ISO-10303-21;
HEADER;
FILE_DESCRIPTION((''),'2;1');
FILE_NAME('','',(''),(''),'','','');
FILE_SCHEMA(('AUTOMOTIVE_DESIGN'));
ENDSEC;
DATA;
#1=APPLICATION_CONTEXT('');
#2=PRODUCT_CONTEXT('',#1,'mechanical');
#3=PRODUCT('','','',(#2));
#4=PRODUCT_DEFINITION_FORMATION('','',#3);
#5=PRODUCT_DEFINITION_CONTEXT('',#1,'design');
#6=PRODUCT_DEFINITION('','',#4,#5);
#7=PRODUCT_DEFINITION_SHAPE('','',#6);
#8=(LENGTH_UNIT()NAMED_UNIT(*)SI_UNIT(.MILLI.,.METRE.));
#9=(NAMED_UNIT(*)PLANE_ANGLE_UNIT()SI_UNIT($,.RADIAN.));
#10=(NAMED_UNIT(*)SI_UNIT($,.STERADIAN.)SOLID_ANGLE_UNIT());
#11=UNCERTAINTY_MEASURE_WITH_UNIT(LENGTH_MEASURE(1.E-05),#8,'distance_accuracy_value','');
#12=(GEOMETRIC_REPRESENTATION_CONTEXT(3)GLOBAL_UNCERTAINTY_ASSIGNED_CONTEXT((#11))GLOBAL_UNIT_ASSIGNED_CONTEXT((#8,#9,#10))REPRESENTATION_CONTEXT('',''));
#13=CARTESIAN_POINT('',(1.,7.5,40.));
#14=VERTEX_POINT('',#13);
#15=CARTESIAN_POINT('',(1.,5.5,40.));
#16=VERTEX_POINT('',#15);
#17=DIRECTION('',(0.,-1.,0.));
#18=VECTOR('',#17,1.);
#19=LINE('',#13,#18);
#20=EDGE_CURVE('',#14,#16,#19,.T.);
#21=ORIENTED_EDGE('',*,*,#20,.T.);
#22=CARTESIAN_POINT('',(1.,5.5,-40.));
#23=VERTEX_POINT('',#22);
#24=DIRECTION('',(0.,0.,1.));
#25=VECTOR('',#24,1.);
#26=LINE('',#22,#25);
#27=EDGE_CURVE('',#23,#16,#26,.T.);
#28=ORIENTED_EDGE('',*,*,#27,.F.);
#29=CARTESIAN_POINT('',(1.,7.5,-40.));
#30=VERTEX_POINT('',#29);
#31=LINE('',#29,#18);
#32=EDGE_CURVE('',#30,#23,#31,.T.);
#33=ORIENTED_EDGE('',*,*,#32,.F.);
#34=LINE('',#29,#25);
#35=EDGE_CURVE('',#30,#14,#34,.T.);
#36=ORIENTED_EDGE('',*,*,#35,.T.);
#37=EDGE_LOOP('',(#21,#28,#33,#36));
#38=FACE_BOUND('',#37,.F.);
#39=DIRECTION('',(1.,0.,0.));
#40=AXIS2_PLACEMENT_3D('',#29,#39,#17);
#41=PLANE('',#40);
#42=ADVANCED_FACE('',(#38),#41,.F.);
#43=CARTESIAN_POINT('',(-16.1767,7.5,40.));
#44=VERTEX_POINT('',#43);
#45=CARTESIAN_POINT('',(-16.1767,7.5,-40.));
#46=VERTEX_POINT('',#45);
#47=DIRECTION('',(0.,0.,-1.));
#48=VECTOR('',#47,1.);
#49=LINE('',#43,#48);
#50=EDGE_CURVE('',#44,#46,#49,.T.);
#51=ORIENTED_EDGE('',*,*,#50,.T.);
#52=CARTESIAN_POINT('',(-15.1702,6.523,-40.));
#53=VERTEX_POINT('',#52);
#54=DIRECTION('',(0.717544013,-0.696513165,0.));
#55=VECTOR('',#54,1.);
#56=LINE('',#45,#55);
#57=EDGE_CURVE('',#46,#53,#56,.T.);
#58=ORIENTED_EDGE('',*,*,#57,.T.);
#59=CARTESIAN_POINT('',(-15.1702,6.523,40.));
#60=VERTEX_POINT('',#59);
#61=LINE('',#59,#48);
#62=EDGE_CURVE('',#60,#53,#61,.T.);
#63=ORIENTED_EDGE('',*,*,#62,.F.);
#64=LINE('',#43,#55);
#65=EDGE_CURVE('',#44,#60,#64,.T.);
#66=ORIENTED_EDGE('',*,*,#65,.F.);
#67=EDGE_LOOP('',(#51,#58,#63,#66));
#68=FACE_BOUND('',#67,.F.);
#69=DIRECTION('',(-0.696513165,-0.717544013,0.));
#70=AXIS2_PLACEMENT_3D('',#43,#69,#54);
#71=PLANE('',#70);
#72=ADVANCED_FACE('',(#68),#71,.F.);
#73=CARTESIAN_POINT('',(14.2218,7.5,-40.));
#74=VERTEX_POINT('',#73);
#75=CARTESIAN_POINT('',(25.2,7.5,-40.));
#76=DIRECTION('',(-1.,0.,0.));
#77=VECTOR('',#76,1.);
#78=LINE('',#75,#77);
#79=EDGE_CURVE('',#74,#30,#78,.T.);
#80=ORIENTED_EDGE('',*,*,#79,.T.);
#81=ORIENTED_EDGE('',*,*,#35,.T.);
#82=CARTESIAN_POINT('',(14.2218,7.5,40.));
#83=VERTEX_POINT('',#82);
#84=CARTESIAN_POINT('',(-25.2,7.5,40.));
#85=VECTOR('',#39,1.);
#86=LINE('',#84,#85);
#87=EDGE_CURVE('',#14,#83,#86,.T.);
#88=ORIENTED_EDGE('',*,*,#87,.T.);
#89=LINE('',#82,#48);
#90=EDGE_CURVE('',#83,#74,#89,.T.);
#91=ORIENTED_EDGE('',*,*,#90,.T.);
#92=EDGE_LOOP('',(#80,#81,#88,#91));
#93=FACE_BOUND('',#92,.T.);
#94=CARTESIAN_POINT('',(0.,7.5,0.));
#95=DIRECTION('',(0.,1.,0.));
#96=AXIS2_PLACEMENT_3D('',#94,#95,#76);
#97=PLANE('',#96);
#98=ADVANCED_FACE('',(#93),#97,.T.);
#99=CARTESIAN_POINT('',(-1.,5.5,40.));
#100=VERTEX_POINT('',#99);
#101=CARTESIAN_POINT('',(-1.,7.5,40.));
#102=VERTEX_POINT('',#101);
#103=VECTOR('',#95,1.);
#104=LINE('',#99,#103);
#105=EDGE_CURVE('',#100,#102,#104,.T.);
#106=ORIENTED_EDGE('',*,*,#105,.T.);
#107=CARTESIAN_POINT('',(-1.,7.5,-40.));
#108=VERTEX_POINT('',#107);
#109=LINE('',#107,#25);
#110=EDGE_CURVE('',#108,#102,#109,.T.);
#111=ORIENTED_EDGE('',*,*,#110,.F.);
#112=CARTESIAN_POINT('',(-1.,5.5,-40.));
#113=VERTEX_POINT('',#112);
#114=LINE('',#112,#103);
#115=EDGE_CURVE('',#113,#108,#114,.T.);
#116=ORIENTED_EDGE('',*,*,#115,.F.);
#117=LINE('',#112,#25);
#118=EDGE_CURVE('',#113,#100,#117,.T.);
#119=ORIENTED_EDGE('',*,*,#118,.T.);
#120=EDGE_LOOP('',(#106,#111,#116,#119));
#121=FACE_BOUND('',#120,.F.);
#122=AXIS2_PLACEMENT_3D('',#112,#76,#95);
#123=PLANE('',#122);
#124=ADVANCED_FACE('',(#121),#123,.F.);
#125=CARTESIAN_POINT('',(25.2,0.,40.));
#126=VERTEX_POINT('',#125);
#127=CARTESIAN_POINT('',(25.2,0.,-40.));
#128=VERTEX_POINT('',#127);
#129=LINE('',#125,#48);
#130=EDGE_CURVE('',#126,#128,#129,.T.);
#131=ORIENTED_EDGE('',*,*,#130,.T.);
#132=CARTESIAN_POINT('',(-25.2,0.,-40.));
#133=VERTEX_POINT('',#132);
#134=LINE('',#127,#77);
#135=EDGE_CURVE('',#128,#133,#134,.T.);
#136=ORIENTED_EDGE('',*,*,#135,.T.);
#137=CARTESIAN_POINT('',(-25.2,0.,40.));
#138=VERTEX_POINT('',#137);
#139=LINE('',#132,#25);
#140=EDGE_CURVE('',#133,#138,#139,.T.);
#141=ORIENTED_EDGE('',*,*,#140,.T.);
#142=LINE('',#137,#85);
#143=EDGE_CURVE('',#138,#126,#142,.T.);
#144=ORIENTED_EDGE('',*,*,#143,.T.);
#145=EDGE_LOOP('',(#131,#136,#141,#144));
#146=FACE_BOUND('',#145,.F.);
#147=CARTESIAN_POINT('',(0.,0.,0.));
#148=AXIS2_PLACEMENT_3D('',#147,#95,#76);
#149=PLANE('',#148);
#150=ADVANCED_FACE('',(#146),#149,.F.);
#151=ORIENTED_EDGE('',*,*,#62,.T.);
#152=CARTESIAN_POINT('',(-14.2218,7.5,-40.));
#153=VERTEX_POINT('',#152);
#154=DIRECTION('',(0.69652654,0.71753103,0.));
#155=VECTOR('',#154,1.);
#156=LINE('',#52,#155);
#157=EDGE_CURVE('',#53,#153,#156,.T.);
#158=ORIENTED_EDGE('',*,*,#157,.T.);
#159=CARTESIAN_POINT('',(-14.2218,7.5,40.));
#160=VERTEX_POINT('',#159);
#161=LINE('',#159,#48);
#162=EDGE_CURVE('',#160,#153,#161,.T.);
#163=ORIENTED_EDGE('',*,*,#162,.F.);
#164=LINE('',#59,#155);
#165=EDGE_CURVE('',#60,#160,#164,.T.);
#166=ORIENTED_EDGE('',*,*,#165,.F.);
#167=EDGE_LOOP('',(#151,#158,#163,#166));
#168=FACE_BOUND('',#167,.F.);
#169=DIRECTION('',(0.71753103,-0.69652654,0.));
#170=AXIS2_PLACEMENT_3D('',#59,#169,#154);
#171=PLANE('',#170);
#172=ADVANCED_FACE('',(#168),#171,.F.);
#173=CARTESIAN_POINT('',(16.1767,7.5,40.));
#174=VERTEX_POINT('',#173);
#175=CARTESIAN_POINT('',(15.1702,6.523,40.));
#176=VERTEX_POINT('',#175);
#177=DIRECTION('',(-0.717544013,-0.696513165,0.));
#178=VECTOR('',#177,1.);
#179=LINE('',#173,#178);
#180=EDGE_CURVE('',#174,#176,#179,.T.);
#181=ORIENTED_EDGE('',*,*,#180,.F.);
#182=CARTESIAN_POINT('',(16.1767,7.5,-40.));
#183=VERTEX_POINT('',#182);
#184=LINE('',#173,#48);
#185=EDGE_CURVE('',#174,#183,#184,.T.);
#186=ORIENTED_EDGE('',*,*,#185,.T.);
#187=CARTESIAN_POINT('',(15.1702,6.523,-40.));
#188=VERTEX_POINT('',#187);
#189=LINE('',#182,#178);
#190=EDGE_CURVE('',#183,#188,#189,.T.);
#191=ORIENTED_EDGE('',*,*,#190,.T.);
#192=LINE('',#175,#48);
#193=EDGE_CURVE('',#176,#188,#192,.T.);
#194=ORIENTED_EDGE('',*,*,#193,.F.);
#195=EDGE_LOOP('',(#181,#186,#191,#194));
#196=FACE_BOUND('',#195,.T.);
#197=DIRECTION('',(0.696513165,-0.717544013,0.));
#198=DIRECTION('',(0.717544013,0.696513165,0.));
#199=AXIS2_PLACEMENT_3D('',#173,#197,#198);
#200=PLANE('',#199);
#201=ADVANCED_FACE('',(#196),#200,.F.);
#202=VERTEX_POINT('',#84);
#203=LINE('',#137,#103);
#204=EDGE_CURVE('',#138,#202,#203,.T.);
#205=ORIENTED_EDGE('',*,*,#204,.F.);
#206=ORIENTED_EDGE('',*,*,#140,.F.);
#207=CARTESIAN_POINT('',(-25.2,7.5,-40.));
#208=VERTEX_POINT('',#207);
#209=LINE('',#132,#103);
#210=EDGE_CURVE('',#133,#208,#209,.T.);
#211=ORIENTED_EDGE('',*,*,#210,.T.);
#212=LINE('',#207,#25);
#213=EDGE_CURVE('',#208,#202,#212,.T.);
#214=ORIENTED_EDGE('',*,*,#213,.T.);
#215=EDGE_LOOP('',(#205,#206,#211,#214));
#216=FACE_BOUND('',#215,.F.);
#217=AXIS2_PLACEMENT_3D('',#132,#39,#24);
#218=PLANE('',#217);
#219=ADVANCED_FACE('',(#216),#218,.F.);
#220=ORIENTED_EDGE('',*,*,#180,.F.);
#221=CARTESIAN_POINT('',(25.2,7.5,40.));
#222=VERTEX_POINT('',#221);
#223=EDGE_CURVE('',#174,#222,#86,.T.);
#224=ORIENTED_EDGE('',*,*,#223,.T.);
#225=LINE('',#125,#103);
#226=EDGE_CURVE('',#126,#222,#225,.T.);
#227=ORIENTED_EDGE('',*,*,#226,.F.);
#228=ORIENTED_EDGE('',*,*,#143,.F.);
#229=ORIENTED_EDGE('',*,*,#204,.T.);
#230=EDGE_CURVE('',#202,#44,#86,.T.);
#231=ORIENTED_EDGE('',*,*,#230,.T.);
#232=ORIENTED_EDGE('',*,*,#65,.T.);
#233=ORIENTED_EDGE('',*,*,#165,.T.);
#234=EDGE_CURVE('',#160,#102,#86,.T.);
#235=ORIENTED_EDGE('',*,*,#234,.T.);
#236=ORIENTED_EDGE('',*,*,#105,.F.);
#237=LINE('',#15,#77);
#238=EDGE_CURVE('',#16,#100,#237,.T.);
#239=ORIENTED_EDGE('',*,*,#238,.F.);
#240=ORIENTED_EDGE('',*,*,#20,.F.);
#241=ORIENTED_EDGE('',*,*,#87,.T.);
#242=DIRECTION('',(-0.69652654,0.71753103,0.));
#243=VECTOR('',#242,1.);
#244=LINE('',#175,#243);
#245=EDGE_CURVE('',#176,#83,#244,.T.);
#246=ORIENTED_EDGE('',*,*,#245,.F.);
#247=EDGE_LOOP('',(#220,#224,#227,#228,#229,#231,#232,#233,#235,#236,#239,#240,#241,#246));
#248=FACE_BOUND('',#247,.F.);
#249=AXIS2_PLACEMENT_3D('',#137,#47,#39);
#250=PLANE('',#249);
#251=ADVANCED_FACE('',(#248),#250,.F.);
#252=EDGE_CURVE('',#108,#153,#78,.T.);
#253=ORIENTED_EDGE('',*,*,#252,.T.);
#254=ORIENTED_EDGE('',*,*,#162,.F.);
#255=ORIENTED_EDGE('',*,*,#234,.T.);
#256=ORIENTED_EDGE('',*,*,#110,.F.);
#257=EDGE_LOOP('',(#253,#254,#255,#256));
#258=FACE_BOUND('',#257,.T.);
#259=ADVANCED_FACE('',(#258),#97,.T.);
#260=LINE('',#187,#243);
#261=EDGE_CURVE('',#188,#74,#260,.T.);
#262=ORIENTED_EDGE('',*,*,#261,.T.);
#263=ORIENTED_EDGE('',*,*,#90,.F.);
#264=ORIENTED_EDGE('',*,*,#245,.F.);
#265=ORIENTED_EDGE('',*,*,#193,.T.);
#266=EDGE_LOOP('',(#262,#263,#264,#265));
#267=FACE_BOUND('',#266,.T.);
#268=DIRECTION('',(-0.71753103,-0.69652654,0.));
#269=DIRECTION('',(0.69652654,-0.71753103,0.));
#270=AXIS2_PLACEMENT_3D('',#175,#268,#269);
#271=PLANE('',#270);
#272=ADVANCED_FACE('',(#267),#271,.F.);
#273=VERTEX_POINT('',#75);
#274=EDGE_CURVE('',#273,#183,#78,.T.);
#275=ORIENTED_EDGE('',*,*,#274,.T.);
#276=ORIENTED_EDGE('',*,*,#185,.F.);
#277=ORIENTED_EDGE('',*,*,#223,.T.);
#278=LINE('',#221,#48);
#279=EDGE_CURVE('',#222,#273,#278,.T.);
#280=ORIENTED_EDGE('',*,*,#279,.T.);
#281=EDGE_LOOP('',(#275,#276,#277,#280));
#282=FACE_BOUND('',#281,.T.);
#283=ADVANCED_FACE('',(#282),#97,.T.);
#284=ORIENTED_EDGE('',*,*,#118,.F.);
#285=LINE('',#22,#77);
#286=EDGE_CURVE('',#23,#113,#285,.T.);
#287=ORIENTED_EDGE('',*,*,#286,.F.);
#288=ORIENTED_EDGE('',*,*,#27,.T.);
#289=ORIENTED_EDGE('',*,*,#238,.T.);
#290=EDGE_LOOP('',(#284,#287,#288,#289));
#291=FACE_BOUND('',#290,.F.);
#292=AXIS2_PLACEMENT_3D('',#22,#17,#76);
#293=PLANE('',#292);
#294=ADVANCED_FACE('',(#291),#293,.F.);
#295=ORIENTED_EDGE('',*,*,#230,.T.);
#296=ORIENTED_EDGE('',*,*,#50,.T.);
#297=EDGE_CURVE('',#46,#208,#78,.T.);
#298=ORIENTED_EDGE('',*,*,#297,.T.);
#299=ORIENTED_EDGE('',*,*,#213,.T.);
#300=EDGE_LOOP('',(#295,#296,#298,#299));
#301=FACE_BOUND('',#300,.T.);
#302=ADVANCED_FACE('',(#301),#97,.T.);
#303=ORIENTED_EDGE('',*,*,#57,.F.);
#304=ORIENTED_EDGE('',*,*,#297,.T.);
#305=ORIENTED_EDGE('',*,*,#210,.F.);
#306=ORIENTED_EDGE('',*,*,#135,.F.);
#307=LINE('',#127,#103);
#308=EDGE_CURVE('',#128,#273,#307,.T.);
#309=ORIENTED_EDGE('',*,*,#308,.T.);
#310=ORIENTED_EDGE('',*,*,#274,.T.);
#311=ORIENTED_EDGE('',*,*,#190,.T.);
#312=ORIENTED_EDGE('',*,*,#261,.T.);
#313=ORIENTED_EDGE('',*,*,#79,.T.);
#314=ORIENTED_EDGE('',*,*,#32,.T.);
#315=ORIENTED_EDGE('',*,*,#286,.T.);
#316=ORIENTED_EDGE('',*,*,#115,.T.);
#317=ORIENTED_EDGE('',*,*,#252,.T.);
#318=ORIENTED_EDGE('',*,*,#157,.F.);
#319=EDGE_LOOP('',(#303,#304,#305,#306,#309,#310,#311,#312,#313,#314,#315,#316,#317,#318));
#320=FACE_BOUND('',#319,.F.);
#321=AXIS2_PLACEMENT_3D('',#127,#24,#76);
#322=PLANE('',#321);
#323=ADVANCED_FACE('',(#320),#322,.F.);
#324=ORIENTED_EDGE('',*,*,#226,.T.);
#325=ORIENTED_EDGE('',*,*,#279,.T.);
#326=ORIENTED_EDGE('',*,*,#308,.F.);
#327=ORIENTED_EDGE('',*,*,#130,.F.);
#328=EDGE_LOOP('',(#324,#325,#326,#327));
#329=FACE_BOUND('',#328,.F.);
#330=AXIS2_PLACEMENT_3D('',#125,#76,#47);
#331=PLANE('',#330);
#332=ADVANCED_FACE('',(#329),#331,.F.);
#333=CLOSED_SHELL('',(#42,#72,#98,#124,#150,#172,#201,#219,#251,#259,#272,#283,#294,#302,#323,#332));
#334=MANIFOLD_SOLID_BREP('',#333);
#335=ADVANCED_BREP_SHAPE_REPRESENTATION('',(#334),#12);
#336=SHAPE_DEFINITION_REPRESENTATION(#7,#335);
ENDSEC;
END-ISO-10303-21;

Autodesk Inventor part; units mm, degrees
ref_plane "YZ Plane" through (0, 0, 0) normal (1, 0, 0) x (0, 1, 0)
ref_plane "XZ Plane" through (0, 0, 0) normal (0, 1, 0) x (-1, 0, 0)
ref_plane "XY Plane" through (0, 0, 0) normal (0, 0, 1) x (1, 0, 0)
sketch "Sketch1" plane through (0, 0, 0) normal (0, 1, 0) x (-1, 0, 0)
  line L0 (-25.2, 40) -> (-25.2, -40)
  line L1 (-25.2, -40) -> (25.2, -40)
  line L2 (25.2, -40) -> (25.2, 40)
  line L3 (25.2, 40) -> (-25.2, 40)
  line L4 (-25.2, 40) -> (25.2, -40) construction
  line L5 (-25.2, -40) -> (25.2, 40) construction
  point P0 (0, 0)
  dimension "d0" = 80
  dimension "d1" = 50.4
extrude "Extrusion1" add sketch "Sketch1" along normal blind 7.5
sketch "Sketch2" plane through (0, 7.5, 0) normal (0, 1, 0) x (1, 0, 0)
  line L0 (25.2, 40) -> (-25.2, 40) projected
  line L1 (-25.2, 40) -> (-15.2, 40)
  line L2 (-15.2, 40) -> (-15.2, -40)
  line L3 (-25.2, -40) -> (25.2, -40) projected
  line L4 (0, 40) -> (0, -40)
  line L5 (25.2, 40) -> (15.2, 40)
  line L6 (15.2, 40) -> (15.2, -40)
  line L7 (-14.2233, -40) -> (-14.2233, 40)
  line L8 (-14.2233, 40) -> (-16.1767, 40)
  line L9 (-16.1767, 40) -> (-16.1767, -40)
  line L10 (-16.1767, -40) -> (-14.2233, -40)
  line L11 (-14.2233, -40) -> (-16.1767, 40) construction
  line L12 (-14.2233, 40) -> (-16.1767, -40) construction
  point P0 (0, 0)
  point P1 (-15.2, 0)
  dimension "d4" = 10
  dimension "d5" = 10
sketch "Sketch3" plane through (-25.2, 0, 40) normal (0, 0, 1) x (1, 0, 0)
  point P0 (25.2, 0)
sketch "Sketch4" plane through (-25.2, 0, 40) normal (0, 0, 1) x (1, 0, 0)
  line L0 (0, 7.5) -> (50.4, 7.5) projected
  line L1 (9.0233, 7.5) -> (10.9782, 7.5)
  line L2 (9.0233, 7.5) -> (10.0298, 6.523)
  line L3 (10.0298, 6.523) -> (10.9782, 7.5)
  point P0 (25.2, 0)
extrude "Extrusion2" cut sketch "Sketch4" against normal up to surface (80 mm away)
ref_plane "Work Plane1" through (0, 0, -40) normal (-1, 0, 0) x (0, 0, 1)
mirror "Mirror1" about plane through (0, 0, -40) normal (-1, 0, 0) of "Extrusion2"
ref_plane "Work Plane2" through (12.6, 0, -40) normal (-1, 0, 0) x (0, 0, 1)
sketch "Sketch5" plane through (25.2, 0, -40) normal (0, 0, -1) x (-1, 0, 0)
  line L0 (39.4218, 7.5) -> (10.9782, 7.5) projected
  line L1 (25.2, 7.5) -> (24.2, 7.5)
  line L2 (24.2, 7.5) -> (24.2, 5.5)
  line L3 (24.2, 5.5) -> (26.2, 5.5)
  line L4 (26.2, 5.5) -> (26.2, 7.5)
  line L5 (24.2, 7.5) -> (26.2, 7.5)
  point P0 (25.2, 0)
  dimension "d8" = 1
  dimension "d9" = 2
  dimension "d10" = 2
extrude "Extrusion3" cut sketch "Sketch5" against normal up to surface (80 mm away)
ref_plane "Work Plane3" through (-25.2, 0, 0) normal (0, 0, 1) x (1, 0, 0)
properties part number "Circuit Board"
